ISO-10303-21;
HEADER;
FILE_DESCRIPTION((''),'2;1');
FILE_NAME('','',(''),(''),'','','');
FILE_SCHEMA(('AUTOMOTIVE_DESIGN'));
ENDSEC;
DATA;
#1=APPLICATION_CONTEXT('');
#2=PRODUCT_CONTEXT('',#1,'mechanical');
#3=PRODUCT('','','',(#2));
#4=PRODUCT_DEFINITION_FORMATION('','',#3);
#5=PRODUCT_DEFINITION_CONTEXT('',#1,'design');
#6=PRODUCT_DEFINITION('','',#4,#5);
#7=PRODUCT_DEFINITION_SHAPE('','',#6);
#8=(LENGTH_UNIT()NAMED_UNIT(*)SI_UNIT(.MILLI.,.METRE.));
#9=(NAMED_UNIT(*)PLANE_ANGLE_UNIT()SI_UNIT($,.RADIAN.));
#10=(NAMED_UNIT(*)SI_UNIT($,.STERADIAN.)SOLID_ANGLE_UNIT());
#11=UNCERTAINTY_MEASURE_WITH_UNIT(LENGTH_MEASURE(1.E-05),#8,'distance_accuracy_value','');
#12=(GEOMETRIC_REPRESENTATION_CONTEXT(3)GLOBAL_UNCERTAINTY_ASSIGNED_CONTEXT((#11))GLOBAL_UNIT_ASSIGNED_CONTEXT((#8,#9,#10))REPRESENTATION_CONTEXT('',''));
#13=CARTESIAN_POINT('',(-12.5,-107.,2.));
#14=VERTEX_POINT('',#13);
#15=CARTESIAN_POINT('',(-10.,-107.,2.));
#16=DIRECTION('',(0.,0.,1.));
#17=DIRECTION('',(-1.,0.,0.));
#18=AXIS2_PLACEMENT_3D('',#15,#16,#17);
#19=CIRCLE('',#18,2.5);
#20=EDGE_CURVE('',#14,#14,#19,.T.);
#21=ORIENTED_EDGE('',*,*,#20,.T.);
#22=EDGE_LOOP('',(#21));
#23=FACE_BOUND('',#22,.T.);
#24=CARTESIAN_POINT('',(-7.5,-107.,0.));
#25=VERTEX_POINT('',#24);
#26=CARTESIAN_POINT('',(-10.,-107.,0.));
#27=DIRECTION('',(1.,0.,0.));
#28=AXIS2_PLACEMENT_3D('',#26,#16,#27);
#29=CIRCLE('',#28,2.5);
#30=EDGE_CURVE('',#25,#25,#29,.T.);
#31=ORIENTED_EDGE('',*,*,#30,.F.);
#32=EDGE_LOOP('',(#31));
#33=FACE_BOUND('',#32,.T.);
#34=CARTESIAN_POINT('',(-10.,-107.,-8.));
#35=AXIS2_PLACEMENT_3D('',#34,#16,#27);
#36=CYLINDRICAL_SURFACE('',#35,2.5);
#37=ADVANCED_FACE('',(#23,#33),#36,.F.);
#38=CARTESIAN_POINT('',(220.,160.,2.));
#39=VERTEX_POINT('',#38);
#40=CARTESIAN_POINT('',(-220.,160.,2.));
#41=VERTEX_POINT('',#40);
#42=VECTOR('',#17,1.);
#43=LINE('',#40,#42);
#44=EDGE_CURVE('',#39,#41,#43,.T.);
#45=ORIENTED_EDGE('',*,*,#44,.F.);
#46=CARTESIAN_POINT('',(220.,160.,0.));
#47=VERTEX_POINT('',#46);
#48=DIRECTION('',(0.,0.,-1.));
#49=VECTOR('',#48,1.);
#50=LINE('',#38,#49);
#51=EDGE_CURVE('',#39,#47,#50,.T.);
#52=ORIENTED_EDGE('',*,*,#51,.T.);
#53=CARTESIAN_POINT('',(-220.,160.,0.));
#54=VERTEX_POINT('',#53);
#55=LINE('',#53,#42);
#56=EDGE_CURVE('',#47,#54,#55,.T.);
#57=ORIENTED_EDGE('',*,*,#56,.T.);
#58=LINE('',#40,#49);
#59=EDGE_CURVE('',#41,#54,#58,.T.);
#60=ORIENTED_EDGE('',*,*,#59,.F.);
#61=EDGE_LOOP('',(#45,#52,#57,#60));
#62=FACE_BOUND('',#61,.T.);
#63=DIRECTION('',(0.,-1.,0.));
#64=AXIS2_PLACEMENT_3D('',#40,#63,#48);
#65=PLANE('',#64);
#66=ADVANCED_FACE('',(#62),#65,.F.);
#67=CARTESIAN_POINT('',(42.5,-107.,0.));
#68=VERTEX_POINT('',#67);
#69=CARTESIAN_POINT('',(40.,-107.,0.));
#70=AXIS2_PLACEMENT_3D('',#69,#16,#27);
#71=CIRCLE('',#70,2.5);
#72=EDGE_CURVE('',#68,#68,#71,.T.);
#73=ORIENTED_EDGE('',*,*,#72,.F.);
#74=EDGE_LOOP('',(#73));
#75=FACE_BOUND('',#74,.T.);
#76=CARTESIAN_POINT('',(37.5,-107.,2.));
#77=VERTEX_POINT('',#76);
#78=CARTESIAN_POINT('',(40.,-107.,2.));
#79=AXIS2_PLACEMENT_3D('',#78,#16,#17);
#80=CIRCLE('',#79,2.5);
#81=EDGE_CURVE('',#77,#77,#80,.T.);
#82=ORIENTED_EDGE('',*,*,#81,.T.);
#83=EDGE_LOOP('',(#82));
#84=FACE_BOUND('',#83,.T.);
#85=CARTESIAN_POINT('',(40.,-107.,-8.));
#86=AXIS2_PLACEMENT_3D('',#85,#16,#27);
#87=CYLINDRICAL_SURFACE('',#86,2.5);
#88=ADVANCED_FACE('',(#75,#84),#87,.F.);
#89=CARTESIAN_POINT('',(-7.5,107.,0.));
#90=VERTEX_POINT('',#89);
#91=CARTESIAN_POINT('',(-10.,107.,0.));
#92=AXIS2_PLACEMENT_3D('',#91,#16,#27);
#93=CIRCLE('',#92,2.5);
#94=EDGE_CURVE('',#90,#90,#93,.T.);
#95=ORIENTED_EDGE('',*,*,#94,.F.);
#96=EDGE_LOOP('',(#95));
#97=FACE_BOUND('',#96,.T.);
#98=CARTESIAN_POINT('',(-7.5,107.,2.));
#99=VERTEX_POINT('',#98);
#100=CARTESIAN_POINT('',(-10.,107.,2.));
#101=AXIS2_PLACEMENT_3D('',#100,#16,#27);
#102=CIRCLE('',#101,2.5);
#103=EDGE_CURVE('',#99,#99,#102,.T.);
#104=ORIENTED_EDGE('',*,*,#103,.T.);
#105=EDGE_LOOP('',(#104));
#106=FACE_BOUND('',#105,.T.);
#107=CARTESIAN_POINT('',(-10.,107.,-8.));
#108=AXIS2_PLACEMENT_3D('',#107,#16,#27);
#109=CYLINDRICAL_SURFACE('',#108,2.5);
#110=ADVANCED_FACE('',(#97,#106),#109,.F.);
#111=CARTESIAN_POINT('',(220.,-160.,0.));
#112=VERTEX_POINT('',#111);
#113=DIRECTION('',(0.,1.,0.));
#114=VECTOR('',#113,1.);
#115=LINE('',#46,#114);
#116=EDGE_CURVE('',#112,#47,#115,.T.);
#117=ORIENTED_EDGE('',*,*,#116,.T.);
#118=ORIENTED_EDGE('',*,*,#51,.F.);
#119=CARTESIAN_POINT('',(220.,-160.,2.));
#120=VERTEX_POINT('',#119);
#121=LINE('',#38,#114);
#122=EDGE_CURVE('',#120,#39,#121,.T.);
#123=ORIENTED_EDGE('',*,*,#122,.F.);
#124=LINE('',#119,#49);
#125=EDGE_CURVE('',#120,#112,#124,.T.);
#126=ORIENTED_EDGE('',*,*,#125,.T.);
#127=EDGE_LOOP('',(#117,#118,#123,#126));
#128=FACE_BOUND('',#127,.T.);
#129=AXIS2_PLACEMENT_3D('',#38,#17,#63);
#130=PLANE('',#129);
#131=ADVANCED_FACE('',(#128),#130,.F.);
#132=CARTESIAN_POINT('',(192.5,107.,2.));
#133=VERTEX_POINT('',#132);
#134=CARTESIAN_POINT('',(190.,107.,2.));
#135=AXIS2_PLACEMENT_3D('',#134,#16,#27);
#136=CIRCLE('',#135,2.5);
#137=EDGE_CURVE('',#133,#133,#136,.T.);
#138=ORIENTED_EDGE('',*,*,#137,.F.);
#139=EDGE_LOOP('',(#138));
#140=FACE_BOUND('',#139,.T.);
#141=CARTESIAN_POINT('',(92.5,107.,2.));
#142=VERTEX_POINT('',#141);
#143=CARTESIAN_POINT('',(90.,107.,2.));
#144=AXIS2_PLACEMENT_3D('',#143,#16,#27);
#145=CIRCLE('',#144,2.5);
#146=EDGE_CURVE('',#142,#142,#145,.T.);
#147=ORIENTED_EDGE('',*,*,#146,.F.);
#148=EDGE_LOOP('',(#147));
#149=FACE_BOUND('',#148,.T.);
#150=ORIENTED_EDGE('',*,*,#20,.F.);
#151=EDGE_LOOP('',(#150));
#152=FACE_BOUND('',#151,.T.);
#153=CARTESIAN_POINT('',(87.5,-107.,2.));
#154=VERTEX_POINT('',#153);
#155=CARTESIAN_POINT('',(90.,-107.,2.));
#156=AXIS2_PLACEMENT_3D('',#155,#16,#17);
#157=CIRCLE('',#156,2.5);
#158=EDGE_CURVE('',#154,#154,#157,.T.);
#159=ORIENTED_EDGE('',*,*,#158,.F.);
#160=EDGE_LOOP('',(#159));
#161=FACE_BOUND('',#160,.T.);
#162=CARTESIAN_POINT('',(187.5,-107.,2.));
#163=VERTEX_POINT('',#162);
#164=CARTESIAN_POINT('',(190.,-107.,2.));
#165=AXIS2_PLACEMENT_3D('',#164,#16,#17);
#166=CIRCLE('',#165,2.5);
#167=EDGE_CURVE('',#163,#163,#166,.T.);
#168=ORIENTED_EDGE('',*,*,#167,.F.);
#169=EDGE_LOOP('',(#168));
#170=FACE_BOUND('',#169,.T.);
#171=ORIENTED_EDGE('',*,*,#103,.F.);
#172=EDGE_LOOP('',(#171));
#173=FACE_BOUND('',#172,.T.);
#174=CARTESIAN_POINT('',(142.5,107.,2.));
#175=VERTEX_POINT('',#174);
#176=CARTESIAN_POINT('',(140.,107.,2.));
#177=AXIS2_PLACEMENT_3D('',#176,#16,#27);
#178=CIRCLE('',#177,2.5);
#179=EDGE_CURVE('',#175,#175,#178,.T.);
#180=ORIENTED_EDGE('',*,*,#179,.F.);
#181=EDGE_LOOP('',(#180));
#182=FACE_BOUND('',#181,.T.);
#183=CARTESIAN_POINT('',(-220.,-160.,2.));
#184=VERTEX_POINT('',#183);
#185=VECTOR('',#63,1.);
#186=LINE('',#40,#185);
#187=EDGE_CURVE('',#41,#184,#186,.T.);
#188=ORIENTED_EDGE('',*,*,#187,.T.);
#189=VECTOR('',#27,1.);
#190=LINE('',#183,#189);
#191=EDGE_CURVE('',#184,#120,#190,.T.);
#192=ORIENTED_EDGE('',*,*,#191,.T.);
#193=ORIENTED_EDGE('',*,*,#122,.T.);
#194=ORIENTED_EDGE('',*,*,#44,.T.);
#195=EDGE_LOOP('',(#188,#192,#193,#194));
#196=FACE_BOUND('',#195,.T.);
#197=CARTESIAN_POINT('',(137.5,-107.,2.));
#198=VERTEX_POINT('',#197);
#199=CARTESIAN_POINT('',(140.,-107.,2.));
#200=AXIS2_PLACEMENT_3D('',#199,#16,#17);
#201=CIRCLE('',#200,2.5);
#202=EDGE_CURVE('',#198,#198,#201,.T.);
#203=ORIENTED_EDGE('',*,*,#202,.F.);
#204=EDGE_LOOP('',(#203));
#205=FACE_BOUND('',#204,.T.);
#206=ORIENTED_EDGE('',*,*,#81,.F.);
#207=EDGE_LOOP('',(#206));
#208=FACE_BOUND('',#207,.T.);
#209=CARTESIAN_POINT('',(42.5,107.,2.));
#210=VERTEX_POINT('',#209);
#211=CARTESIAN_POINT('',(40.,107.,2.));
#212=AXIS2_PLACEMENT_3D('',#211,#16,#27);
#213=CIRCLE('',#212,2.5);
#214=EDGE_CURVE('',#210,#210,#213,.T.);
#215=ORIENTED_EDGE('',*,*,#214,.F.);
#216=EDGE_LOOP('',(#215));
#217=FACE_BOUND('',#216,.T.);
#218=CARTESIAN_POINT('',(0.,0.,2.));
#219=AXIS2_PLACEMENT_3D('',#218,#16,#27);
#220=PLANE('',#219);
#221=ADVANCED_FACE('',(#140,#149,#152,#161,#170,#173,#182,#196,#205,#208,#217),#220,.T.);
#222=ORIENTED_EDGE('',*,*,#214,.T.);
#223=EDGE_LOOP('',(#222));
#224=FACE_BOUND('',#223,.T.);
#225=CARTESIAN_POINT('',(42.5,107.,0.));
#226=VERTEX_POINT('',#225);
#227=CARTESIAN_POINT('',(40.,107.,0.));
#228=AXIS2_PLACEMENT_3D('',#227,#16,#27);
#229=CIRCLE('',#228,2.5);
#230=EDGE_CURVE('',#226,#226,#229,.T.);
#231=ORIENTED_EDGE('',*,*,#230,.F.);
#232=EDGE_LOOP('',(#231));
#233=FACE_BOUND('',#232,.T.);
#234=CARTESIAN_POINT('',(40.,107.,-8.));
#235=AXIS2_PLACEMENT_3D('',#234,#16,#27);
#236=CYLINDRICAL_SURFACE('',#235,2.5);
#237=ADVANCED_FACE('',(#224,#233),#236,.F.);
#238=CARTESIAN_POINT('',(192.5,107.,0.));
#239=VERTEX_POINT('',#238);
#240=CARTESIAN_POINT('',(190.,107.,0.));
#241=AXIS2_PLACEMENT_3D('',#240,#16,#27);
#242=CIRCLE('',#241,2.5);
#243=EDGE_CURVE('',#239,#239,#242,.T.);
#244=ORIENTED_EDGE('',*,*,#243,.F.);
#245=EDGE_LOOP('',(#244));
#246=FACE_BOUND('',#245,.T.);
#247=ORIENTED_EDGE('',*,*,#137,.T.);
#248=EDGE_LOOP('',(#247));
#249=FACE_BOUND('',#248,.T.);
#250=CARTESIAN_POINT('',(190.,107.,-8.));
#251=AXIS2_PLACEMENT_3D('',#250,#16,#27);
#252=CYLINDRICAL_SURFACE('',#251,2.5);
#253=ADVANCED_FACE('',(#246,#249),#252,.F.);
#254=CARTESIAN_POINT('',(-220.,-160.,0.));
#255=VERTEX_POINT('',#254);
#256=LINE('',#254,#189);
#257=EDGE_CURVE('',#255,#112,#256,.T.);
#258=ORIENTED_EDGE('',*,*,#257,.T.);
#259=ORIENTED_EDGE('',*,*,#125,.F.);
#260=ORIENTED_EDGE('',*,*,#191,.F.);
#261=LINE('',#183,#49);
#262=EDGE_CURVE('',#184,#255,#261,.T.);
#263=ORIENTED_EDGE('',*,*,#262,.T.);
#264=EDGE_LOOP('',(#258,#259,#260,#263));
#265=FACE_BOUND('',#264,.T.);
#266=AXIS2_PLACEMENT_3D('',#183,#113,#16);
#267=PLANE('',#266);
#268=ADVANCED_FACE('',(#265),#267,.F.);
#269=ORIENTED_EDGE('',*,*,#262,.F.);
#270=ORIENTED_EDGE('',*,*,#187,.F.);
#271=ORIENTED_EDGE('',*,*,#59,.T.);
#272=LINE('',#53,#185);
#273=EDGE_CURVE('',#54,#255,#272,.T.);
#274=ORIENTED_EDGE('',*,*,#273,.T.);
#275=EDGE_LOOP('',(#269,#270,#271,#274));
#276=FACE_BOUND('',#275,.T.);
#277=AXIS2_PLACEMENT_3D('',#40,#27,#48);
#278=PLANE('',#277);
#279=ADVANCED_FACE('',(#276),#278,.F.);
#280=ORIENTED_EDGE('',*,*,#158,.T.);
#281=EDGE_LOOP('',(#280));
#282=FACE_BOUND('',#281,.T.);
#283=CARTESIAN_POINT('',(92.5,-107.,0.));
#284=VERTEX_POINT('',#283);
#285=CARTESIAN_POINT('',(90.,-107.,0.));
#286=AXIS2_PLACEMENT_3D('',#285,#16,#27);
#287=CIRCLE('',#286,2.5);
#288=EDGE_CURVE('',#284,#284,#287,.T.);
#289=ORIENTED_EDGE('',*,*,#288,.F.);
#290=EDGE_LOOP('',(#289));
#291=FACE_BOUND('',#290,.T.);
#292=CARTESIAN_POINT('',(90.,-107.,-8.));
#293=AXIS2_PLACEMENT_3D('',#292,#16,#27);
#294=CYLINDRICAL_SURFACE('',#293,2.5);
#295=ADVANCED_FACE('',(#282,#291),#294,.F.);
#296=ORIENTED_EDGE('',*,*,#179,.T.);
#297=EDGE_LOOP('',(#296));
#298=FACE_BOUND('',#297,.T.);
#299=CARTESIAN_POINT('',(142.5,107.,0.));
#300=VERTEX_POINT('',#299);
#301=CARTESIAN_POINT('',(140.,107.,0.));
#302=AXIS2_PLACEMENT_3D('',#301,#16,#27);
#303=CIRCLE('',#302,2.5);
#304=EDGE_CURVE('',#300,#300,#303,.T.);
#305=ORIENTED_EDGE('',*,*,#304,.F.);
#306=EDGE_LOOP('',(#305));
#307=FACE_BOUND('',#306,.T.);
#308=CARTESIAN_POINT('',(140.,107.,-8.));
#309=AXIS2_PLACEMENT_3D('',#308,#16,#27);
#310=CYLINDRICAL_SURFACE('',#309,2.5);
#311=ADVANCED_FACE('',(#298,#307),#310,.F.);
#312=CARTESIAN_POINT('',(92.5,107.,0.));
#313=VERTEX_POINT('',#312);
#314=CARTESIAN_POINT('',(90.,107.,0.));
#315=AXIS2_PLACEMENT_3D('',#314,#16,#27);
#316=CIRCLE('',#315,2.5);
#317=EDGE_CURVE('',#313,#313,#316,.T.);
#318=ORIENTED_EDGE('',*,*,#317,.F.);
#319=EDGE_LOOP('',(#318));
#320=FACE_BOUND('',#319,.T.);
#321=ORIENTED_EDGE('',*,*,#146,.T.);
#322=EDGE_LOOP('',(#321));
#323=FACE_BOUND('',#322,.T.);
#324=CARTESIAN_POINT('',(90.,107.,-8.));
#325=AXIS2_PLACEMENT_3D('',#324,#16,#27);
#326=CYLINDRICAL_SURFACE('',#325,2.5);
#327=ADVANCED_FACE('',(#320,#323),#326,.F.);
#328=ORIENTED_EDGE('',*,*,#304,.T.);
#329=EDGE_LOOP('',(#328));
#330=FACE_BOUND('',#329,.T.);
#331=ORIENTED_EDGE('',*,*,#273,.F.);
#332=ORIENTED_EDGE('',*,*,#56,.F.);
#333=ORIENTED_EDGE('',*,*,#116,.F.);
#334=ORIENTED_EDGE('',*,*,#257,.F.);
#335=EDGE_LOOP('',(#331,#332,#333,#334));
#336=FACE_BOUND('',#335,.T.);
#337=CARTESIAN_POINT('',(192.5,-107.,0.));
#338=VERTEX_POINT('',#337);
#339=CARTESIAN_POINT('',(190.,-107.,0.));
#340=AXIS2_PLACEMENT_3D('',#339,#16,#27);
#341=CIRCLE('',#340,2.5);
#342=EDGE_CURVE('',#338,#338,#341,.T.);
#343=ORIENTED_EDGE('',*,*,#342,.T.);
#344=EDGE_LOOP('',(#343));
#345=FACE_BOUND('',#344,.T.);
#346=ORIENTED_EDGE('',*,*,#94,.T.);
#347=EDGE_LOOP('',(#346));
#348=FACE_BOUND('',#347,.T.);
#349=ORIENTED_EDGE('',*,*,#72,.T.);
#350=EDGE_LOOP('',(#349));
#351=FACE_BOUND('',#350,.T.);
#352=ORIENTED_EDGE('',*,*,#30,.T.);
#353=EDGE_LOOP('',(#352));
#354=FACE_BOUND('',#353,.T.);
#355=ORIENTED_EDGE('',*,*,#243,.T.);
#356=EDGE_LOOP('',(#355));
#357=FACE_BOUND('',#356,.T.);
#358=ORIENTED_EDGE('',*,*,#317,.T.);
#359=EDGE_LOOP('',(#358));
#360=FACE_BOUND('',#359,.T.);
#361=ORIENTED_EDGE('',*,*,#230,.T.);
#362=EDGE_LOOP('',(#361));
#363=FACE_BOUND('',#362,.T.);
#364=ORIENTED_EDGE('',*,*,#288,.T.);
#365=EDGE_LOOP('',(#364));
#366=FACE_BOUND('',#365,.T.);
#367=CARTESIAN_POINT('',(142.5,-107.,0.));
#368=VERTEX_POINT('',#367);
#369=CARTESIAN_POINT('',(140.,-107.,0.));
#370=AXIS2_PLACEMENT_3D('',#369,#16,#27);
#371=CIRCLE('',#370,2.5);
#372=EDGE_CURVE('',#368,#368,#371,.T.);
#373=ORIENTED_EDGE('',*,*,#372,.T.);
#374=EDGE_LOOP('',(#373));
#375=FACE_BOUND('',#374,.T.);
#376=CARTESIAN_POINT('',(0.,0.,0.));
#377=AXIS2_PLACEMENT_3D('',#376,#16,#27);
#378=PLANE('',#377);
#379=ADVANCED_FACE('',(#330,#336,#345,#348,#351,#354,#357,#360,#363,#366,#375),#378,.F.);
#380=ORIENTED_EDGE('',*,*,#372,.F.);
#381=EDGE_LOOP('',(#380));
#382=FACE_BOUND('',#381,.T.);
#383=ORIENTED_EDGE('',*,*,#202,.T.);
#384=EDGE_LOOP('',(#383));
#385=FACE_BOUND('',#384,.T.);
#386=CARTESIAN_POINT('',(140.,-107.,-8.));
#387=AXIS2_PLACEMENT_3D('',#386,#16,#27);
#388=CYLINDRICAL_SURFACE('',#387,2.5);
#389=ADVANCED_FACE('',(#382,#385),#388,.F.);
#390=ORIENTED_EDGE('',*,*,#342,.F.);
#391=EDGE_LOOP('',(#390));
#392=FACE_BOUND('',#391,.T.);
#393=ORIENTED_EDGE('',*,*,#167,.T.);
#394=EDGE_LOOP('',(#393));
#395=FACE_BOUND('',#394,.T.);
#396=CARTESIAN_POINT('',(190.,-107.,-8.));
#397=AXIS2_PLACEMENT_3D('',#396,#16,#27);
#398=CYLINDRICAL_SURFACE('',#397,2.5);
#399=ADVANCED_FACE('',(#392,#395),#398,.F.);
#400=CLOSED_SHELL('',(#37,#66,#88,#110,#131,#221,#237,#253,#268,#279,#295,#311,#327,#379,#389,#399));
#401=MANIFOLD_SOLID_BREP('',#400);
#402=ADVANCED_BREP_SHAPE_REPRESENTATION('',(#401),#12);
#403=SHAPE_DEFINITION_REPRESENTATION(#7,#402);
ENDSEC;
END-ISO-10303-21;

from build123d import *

# Parameters (mm, degrees)
SKETCH_1_W          = 440
SKETCH_1_H          = 320
EXTRUDE_1_DEPTH     = 2
SKETCH_2_R          = 2.5
CUT_EXTRUDE_1_DEPTH = 10


with BuildPart() as part:
    # 草图1 → 凸台-拉伸1 (new body)
    with BuildSketch(Plane.XY):
        Rectangle(SKETCH_1_W, SKETCH_1_H)
    extrude(amount=EXTRUDE_1_DEPTH)

    # 草图2 → 切除-拉伸1 (cut)
    with BuildSketch(Plane.XY.offset(2)):
        with Locations((190, 107)):
            Circle(SKETCH_2_R)
        with Locations((140, 107)):
            Circle(SKETCH_2_R)
        with Locations((90, 107)):
            Circle(SKETCH_2_R)
        with Locations((40, 107)):
            Circle(SKETCH_2_R)
        with Locations((-10, 107)):
            Circle(SKETCH_2_R)
        with Locations((-10, -107)):
            Circle(SKETCH_2_R)
        with Locations((40, -107)):
            Circle(SKETCH_2_R)
        with Locations((90, -107)):
            Circle(SKETCH_2_R)
        with Locations((140, -107)):
            Circle(SKETCH_2_R)
        with Locations((190, -107)):
            Circle(SKETCH_2_R)
    extrude(amount=-CUT_EXTRUDE_1_DEPTH, mode=Mode.SUBTRACT)


solid = part.part
